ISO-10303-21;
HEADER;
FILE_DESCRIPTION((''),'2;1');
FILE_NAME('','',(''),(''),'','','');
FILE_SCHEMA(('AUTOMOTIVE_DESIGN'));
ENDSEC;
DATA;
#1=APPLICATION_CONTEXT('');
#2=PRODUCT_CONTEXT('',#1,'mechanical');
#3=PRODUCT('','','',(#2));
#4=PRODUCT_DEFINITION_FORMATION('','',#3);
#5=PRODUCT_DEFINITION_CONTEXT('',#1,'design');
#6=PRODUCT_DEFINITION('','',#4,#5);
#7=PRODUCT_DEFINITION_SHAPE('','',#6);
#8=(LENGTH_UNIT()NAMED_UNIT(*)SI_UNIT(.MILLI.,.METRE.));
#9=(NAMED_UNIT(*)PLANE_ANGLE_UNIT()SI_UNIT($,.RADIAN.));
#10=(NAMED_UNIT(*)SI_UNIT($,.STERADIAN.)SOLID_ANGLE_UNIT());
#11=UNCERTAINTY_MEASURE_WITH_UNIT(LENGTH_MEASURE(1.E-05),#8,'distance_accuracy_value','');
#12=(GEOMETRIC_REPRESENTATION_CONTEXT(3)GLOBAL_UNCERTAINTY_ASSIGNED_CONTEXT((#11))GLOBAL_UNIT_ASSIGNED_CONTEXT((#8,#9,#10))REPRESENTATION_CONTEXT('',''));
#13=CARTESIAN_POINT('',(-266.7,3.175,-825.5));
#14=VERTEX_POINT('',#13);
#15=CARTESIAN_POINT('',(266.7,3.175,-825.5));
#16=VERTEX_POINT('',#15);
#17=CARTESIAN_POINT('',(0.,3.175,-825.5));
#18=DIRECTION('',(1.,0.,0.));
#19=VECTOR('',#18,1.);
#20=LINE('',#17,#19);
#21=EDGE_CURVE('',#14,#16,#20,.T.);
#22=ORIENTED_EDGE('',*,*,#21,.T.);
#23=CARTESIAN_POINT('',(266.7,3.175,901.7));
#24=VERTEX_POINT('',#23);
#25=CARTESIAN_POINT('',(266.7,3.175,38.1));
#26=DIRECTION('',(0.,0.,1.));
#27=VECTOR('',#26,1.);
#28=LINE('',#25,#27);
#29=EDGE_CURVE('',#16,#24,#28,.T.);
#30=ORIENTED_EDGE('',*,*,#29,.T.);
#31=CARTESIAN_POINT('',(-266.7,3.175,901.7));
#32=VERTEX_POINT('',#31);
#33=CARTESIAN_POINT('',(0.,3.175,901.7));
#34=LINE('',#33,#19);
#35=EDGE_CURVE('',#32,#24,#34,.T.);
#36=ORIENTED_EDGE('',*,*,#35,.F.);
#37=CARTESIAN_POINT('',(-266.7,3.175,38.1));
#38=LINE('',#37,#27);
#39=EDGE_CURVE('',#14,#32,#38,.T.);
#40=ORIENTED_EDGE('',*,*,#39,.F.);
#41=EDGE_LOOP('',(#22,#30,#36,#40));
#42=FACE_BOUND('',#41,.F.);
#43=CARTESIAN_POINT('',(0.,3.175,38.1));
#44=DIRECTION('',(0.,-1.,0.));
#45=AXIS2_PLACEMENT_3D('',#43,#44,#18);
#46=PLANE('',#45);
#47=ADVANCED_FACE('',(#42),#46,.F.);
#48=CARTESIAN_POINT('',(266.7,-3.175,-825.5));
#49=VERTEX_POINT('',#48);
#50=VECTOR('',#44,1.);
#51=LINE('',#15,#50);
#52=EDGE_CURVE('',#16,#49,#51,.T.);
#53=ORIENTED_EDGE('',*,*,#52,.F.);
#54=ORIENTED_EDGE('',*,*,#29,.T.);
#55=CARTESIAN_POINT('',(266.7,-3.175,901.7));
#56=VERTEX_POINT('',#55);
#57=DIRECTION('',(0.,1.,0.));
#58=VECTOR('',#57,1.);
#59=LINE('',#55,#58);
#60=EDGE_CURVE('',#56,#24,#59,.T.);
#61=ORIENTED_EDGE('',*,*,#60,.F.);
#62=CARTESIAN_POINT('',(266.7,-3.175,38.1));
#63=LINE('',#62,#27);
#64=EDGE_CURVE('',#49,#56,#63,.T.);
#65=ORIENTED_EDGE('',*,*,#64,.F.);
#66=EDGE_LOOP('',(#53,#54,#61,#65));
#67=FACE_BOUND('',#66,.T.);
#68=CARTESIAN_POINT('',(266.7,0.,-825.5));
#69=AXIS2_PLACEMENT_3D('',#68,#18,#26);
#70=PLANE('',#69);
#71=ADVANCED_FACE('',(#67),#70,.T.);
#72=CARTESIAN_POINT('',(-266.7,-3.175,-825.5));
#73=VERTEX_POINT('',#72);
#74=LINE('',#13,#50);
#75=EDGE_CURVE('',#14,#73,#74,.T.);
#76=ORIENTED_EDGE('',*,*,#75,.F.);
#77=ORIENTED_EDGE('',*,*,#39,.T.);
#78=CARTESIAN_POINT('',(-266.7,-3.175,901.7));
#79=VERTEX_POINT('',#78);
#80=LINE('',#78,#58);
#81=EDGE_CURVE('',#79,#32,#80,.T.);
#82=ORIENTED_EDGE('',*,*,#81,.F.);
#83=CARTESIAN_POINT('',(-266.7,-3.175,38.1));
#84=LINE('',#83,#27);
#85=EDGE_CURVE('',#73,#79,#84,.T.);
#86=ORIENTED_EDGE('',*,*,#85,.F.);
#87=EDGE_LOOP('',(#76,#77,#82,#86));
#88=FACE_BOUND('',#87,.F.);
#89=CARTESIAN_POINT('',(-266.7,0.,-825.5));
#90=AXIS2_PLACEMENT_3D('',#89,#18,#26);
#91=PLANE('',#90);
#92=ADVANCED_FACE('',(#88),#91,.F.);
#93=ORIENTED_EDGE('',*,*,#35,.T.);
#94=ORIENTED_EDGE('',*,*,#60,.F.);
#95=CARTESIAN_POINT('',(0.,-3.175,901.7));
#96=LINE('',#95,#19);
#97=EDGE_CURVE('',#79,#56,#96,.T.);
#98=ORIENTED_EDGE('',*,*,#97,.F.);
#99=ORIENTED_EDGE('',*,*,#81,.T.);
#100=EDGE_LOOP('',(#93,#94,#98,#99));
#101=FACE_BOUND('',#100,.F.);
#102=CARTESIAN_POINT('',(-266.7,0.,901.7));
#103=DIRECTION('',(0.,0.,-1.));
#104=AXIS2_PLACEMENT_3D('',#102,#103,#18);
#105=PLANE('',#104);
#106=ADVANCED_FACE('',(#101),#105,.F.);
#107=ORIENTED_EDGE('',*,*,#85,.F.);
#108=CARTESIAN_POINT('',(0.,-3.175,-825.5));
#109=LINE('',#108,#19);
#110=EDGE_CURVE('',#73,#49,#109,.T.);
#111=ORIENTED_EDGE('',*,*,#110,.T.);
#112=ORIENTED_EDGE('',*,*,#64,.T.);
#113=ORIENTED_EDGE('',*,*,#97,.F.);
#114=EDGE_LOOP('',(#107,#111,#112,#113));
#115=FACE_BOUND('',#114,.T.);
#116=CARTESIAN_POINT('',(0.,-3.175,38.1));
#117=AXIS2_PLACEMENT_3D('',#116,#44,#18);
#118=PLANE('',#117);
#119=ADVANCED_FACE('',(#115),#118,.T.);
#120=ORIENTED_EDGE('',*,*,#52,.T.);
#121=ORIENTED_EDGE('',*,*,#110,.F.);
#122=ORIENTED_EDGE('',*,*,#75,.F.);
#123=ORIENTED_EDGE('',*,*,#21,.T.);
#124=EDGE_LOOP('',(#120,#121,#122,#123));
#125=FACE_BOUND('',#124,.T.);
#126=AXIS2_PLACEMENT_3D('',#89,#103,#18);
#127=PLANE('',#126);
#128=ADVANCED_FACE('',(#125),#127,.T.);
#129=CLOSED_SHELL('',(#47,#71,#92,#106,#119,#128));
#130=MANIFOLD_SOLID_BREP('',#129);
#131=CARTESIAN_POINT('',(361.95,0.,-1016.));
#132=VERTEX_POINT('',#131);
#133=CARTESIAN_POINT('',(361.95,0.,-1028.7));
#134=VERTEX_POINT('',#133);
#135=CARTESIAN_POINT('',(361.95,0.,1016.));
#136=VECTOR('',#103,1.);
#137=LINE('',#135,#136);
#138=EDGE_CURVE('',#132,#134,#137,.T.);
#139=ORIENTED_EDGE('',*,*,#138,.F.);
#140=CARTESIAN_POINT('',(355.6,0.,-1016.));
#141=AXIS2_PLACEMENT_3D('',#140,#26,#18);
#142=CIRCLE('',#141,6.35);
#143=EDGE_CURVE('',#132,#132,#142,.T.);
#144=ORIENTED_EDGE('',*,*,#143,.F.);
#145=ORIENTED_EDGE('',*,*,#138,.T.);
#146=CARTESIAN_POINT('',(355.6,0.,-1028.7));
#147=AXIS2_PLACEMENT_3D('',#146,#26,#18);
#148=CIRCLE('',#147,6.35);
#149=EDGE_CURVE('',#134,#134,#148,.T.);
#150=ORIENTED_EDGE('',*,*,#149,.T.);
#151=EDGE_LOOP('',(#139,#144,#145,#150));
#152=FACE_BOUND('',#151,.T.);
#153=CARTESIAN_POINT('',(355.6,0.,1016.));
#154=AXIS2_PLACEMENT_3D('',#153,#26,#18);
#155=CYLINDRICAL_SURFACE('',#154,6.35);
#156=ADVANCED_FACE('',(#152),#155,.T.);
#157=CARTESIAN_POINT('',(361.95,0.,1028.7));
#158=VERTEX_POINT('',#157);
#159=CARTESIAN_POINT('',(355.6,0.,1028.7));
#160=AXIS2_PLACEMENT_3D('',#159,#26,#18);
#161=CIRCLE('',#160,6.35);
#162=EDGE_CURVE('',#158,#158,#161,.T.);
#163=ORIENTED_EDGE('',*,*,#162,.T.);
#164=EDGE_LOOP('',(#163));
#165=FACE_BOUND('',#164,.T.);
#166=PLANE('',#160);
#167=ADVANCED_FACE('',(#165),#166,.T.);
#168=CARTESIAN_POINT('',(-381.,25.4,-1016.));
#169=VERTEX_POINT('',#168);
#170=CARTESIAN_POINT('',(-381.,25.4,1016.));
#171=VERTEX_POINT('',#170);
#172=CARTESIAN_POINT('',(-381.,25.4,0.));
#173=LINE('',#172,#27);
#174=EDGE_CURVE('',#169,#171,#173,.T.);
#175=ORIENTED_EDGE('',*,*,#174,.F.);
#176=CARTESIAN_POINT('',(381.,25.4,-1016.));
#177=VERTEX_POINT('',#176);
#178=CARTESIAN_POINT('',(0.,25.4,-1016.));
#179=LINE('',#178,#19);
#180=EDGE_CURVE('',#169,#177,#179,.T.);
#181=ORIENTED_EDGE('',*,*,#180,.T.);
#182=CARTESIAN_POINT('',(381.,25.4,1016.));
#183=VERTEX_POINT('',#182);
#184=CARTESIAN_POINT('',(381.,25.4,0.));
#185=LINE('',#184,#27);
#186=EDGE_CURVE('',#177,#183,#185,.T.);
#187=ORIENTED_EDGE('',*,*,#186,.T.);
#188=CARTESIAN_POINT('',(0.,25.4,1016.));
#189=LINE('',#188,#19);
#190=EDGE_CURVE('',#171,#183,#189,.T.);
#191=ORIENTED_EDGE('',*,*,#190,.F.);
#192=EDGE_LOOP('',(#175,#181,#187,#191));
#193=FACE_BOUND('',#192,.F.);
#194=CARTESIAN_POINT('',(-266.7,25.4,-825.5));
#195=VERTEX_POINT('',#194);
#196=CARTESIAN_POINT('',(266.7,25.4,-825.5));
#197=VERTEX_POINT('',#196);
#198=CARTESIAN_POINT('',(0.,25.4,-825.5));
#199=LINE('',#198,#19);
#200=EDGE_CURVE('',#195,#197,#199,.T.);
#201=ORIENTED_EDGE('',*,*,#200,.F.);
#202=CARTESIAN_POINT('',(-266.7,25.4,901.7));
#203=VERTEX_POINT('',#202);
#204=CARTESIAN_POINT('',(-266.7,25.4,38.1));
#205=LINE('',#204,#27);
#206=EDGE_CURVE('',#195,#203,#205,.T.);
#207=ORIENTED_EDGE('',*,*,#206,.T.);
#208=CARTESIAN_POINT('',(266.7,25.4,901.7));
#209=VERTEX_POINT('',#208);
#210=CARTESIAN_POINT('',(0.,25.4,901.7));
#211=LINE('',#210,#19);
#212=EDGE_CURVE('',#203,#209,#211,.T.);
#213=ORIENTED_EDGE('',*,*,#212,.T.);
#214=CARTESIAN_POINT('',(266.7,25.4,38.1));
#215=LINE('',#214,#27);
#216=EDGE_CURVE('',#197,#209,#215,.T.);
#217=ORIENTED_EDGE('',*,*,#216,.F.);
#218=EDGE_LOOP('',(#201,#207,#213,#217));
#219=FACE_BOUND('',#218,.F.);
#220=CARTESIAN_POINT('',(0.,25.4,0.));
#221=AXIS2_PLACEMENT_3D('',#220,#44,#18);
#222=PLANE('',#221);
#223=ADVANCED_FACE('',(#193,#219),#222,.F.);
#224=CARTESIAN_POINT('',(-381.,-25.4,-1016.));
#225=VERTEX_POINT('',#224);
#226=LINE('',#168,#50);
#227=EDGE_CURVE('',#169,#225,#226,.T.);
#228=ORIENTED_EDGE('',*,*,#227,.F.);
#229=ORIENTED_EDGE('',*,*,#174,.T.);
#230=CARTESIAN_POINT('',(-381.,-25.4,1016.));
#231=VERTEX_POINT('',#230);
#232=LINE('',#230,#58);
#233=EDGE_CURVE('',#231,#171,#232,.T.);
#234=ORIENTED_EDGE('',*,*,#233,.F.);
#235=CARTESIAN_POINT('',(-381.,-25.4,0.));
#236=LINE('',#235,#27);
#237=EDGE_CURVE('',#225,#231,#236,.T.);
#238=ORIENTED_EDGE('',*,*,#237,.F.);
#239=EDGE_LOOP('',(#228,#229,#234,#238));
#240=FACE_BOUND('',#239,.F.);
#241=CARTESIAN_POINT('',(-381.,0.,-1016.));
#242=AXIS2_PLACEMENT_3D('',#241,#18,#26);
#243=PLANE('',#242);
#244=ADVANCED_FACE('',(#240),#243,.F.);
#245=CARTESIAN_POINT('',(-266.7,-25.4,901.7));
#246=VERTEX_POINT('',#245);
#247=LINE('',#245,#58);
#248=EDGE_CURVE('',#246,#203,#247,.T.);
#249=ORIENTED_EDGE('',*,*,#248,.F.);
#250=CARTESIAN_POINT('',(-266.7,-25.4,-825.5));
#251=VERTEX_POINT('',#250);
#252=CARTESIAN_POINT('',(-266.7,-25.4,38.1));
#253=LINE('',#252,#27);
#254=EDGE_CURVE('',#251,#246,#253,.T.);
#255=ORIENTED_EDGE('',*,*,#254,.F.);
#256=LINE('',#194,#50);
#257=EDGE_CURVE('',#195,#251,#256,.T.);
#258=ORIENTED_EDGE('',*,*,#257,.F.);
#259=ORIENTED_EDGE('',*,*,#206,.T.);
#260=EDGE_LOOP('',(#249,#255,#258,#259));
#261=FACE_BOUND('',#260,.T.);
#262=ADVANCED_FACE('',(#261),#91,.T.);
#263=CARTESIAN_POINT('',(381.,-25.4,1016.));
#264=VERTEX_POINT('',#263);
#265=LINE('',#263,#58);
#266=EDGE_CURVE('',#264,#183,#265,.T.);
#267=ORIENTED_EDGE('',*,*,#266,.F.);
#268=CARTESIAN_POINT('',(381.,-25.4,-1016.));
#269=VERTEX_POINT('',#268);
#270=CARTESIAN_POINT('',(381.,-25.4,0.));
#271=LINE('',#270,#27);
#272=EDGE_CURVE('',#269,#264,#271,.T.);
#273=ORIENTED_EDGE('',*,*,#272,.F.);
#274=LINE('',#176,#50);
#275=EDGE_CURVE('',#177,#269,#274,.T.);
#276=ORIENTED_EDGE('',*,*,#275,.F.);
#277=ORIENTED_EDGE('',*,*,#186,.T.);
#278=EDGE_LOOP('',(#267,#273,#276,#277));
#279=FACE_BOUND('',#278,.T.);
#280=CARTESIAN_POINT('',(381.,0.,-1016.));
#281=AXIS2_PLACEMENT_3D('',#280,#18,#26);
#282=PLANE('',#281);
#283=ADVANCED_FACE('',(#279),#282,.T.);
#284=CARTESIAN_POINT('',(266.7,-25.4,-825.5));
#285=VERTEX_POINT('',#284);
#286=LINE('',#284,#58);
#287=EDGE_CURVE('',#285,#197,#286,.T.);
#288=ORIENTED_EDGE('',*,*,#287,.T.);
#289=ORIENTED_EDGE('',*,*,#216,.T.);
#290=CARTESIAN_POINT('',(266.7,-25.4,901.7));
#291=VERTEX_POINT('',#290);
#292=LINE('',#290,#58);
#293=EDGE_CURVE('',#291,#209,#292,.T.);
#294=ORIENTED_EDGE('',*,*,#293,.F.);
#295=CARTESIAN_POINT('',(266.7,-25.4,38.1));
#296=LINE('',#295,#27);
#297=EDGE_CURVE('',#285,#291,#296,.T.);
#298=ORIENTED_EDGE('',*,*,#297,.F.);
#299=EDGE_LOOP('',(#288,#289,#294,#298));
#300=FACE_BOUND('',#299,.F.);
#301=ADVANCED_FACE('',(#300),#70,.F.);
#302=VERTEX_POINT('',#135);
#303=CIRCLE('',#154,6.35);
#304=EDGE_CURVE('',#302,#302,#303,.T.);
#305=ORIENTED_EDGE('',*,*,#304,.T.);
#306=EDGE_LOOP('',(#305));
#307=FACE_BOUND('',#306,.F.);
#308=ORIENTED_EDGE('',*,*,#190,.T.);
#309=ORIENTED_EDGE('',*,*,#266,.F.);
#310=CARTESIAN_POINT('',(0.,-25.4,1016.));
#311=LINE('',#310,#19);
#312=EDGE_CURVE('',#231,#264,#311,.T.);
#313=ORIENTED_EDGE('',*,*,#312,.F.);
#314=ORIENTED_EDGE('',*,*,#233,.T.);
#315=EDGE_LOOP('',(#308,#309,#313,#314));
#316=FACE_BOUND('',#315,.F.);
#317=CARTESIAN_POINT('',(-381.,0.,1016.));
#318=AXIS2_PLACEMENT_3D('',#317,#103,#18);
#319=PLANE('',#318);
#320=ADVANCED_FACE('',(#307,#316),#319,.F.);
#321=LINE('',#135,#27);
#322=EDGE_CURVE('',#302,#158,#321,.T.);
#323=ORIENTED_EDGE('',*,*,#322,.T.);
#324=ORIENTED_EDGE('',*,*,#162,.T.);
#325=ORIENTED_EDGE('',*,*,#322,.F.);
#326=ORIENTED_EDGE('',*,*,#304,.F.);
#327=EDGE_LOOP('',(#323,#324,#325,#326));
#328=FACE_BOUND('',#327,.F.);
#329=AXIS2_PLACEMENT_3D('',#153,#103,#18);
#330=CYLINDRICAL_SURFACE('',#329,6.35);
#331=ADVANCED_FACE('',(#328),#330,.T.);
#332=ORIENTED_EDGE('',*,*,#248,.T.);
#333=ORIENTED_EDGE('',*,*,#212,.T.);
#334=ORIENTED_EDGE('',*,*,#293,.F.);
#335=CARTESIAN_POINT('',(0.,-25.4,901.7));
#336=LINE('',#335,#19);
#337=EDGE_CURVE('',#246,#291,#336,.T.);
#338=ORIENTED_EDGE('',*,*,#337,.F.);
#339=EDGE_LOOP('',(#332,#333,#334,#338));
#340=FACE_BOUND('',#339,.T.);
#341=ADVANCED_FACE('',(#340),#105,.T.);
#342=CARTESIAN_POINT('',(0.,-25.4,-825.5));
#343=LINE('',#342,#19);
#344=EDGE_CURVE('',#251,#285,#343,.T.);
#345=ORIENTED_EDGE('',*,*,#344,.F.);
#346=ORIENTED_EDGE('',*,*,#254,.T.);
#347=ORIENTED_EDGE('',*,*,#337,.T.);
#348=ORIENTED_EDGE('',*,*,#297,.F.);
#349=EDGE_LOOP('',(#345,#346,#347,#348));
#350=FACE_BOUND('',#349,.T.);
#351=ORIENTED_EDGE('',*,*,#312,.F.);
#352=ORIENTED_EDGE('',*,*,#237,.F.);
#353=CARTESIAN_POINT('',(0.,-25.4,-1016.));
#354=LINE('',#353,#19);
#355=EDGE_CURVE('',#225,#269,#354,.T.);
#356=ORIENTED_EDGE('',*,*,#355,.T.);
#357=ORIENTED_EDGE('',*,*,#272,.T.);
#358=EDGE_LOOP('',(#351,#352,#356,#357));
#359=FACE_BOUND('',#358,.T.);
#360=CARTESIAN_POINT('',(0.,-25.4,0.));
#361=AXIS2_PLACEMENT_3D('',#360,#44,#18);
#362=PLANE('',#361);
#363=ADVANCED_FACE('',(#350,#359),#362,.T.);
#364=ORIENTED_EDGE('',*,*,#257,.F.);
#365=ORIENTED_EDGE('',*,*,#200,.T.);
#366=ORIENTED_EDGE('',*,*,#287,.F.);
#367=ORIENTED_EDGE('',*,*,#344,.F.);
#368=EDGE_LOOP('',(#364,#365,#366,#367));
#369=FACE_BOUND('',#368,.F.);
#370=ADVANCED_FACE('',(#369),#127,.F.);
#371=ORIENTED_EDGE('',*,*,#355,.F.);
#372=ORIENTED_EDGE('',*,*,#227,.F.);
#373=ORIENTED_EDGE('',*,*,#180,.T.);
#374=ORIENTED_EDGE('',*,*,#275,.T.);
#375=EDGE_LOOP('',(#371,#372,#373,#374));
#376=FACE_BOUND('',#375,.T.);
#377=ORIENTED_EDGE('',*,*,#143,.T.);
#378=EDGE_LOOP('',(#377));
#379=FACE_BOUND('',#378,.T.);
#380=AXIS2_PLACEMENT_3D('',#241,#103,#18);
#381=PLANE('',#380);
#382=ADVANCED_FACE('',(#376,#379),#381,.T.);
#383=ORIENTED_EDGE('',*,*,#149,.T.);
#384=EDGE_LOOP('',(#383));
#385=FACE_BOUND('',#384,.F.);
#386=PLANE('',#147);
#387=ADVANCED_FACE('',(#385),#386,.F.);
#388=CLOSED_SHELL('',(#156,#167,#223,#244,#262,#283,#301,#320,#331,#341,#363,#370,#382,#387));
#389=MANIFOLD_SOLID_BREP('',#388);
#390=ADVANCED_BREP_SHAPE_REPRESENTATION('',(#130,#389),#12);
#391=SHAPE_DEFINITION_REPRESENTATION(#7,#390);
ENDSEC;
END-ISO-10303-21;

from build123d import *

# Parameters (mm, degrees)
F0_W          = 762
F0_H          = 2032
F0_W_2        = 533.4
F0_H_2        = 1727.2
F1_DEPTH      = 25.4
F1_DEPTH_BACK = 25.4
F2_DEPTH      = 3.175
F2_DEPTH_BACK = 3.175
F3_R          = 6.35
F4_DEPTH      = 12.7
F4_DEPTH_BACK = 2044.7


with BuildPart() as f1:
    # F0 (on Front) → F1 (new body, two sides)
    with BuildSketch(Plane.XZ) as f1_sk:
        Rectangle(F0_W, F0_H)
        with Locations((0, 38.1)):
            Rectangle(F0_W_2, F0_H_2, mode=Mode.SUBTRACT)
    extrude(amount=F1_DEPTH)
    extrude(f1_sk.sketch, amount=-F1_DEPTH_BACK)

    # F3 (on face) → F4 (join, two sides)
    with BuildSketch(Plane.XY.offset(1016)) as f4_sk:
        with Locations((355.6, 0)):
            Circle(F3_R)
    extrude(amount=F4_DEPTH)
    extrude(f4_sk.sketch, amount=-F4_DEPTH_BACK)


with BuildPart() as f2:
    # F0 (on Front) → F2 (new body, two sides)
    with BuildSketch(Plane.XZ) as f2_sk:
        with Locations((0, 38.1)):
            Rectangle(F0_W_2, F0_H_2)
    extrude(amount=F2_DEPTH)
    extrude(f2_sk.sketch, amount=-F2_DEPTH_BACK)


solid = Compound([f1.part, f2.part])
